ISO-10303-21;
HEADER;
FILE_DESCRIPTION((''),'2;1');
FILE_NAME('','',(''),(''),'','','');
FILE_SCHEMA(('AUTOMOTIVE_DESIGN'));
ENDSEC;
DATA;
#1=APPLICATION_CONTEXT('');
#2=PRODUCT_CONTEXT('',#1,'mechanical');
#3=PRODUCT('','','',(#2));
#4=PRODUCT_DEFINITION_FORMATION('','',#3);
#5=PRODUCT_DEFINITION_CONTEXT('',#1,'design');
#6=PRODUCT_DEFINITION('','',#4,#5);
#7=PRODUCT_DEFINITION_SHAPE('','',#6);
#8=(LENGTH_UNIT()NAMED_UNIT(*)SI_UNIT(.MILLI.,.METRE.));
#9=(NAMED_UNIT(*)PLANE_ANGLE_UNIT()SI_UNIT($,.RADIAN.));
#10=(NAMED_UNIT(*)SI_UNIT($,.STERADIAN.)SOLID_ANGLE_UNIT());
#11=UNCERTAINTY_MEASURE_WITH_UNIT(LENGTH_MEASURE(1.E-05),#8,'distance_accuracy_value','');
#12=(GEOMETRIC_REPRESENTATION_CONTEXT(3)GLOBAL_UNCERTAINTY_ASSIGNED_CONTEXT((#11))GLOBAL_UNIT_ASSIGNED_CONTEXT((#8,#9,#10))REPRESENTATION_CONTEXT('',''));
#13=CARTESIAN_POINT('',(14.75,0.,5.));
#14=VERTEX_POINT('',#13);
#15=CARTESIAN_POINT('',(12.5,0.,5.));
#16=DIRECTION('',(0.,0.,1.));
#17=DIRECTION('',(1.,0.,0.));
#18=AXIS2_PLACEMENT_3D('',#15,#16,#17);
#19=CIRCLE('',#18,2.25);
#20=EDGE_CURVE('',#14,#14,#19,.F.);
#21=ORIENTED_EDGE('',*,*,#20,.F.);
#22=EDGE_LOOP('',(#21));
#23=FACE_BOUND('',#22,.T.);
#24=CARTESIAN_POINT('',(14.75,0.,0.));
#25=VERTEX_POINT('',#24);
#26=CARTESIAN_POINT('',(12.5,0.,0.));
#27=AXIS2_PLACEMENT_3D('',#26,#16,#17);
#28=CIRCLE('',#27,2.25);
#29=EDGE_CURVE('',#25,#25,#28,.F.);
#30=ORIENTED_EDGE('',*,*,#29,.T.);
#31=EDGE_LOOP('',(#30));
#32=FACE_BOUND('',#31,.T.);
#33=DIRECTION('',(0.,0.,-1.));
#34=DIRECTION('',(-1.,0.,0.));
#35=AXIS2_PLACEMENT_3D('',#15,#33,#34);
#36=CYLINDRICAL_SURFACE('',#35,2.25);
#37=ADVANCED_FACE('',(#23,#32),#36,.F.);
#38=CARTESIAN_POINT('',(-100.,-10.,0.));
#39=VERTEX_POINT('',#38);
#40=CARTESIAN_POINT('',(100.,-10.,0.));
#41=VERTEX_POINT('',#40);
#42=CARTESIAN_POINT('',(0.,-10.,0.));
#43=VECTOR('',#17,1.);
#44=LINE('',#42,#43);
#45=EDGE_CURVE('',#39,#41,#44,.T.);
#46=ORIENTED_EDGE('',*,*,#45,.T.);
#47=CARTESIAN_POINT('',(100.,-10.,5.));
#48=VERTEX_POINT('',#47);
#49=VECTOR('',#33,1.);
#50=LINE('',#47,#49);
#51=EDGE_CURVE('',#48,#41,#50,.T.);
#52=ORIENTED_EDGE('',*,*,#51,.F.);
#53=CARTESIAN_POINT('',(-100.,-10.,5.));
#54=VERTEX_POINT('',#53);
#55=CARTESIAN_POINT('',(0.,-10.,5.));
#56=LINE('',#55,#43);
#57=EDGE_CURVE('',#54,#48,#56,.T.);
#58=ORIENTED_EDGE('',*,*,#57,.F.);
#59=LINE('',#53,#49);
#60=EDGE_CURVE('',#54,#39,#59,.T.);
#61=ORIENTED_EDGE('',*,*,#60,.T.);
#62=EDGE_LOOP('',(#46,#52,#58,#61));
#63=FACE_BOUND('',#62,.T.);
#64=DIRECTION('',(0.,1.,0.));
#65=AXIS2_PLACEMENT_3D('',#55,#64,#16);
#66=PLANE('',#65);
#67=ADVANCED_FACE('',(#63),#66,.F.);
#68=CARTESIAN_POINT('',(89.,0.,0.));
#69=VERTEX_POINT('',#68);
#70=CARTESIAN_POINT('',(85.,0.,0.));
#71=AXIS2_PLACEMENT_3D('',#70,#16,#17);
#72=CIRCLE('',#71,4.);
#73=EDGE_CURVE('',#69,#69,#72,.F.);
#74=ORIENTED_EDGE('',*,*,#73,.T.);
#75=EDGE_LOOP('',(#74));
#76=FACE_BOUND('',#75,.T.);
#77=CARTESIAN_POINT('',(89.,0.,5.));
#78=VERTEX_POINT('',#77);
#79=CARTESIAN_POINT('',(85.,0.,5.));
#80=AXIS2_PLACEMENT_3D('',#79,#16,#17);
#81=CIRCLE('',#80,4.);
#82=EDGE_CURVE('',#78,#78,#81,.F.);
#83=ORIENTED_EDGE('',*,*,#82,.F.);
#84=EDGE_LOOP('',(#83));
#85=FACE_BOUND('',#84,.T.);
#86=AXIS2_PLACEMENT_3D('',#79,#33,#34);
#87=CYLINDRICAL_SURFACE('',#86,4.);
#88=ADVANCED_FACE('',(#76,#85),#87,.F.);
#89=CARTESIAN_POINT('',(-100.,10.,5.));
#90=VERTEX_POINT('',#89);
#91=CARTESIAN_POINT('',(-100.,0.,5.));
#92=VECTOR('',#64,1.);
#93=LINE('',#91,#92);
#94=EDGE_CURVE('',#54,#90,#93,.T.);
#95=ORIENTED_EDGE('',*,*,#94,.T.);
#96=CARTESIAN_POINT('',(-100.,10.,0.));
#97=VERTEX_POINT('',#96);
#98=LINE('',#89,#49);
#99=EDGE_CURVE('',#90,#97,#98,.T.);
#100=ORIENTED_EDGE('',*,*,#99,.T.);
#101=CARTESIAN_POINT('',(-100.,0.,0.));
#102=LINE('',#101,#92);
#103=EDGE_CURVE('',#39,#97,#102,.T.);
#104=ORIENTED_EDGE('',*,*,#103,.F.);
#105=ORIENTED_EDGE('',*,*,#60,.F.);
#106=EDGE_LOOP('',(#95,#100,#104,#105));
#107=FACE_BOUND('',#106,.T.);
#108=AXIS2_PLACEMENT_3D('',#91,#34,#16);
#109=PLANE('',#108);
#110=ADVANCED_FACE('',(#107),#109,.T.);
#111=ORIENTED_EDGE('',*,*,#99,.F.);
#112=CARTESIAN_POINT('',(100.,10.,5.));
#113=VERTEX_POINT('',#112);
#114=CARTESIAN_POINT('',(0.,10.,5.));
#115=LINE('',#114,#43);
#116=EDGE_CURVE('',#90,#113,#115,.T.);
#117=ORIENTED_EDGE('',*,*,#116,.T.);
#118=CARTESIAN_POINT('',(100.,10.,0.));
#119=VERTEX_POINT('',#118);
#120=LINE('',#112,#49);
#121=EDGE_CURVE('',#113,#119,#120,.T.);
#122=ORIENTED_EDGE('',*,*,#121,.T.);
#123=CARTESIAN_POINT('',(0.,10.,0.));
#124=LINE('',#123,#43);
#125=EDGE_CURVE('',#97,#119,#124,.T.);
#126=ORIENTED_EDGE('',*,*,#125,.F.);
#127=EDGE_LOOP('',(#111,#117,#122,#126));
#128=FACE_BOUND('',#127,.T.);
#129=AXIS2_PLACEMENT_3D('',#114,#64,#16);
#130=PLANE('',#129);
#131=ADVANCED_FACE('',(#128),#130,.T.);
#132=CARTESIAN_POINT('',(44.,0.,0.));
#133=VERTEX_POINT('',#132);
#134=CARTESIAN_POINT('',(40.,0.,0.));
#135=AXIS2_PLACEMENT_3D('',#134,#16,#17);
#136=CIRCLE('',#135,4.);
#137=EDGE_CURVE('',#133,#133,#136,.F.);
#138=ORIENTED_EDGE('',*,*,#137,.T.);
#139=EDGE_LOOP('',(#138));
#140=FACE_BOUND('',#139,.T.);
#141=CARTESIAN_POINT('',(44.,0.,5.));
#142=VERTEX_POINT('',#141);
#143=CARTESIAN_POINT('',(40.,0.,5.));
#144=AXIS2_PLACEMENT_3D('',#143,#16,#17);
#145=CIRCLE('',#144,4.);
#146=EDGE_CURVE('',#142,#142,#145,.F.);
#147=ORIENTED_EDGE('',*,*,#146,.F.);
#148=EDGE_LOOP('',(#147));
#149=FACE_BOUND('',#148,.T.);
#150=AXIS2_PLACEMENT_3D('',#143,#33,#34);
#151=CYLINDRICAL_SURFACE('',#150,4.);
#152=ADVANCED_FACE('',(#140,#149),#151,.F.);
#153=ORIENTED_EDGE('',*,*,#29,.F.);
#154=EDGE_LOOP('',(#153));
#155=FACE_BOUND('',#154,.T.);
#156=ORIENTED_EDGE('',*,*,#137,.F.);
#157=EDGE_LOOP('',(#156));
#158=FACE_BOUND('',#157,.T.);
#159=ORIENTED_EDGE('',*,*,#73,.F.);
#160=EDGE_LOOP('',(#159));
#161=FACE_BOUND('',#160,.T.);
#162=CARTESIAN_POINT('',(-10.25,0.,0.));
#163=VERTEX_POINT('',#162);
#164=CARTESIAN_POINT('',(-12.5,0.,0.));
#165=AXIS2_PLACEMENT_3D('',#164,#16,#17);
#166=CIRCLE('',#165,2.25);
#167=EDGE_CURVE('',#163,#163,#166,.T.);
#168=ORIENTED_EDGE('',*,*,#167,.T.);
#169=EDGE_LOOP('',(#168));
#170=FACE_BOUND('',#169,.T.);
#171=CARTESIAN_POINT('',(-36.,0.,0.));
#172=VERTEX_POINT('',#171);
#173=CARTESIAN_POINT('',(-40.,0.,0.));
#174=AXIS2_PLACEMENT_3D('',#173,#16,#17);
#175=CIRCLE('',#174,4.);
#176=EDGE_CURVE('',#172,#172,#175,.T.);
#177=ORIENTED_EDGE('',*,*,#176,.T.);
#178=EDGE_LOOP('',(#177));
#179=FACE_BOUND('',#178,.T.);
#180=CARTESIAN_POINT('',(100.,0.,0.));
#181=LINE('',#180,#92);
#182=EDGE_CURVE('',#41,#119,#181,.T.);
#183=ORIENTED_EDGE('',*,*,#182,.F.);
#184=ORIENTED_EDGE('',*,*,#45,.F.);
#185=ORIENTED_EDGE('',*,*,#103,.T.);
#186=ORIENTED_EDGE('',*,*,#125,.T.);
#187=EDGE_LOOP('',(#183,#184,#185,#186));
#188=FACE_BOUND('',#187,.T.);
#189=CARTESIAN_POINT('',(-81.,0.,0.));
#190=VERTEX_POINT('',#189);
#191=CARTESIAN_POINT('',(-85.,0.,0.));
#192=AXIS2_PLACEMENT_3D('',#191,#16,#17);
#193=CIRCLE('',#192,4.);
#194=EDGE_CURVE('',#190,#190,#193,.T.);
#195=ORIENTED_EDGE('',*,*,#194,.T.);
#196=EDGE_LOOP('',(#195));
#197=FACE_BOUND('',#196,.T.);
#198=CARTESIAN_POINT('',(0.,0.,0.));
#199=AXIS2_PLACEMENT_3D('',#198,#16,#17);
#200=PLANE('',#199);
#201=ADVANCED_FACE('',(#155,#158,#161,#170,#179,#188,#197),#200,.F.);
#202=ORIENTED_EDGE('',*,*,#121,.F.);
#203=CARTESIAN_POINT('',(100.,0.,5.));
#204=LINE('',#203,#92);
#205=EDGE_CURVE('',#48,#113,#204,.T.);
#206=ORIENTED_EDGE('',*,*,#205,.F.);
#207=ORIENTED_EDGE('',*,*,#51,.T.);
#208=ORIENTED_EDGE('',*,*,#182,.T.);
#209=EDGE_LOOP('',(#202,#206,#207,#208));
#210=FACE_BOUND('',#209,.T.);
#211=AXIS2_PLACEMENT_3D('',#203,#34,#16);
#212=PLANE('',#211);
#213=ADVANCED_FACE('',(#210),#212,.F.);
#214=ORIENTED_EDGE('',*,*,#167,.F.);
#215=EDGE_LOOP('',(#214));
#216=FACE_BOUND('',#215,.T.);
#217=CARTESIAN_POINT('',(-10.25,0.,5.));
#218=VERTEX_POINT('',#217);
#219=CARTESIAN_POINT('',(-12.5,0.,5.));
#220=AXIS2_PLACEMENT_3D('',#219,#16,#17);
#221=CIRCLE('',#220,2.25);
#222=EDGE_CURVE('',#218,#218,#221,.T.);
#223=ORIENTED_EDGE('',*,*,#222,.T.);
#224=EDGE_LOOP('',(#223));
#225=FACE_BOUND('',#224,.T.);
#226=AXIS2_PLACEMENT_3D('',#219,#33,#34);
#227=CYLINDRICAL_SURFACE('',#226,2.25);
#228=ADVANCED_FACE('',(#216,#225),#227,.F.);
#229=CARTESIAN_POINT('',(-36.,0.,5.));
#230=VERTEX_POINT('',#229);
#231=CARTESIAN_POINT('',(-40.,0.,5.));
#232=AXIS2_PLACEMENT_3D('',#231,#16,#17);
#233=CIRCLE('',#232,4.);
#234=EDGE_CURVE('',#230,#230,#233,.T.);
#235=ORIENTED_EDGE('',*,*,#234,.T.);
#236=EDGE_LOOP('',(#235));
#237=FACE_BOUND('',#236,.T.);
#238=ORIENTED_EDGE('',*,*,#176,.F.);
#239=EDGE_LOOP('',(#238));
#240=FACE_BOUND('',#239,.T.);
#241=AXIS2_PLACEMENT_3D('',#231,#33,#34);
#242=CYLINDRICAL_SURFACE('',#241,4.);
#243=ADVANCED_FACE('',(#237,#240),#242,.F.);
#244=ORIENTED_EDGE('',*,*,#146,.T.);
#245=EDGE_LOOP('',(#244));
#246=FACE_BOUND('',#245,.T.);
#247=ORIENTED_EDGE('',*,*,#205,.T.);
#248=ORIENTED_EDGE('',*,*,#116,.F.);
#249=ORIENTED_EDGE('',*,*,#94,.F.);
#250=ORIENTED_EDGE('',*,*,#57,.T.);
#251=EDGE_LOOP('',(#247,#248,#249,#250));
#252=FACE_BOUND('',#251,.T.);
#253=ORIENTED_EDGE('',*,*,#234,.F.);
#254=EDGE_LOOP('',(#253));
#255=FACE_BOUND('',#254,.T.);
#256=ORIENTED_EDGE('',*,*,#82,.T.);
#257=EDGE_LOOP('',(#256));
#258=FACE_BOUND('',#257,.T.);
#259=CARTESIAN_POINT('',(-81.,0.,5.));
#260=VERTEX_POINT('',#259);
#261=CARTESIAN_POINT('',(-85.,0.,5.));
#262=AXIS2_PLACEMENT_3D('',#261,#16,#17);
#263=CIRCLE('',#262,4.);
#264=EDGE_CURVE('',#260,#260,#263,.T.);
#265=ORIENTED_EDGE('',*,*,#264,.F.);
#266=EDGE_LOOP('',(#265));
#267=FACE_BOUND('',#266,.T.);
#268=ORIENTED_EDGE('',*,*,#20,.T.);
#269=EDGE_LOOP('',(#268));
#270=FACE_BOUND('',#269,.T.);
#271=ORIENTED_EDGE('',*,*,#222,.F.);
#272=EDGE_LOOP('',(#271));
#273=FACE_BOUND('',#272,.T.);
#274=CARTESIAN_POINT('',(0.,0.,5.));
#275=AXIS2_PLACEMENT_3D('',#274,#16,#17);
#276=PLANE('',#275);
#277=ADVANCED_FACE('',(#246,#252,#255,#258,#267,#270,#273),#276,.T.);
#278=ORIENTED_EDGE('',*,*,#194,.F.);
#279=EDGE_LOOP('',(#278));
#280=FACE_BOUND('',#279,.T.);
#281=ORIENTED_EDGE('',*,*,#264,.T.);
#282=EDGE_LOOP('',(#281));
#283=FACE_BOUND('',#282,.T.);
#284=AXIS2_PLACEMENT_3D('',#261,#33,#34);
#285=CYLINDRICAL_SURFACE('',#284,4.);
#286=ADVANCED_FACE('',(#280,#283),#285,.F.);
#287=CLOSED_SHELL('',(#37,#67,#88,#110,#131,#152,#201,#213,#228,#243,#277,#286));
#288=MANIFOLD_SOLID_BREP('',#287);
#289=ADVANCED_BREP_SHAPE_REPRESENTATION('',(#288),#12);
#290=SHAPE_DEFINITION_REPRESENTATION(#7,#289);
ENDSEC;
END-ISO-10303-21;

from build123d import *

# Parameters (mm, degrees)
ESQUISSE1_W        = 200
ESQUISSE1_H        = 20
ESQUISSE1_R        = 4
ESQUISSE1_R_2      = 2.25
BOSS_EXTRU_1_DEPTH = 5


with BuildPart() as part:
    # Esquisse1 → Boss.-Extru.1 (new body)
    with BuildSketch(Plane.XY):
        Rectangle(ESQUISSE1_W, ESQUISSE1_H)
        with Locations((85, 0)):
            Circle(ESQUISSE1_R, mode=Mode.SUBTRACT)
        with Locations((-85, 0)):
            Circle(ESQUISSE1_R, mode=Mode.SUBTRACT)
        with Locations((-40, 0)):
            Circle(ESQUISSE1_R, mode=Mode.SUBTRACT)
        with Locations((40, 0)):
            Circle(ESQUISSE1_R, mode=Mode.SUBTRACT)
        with Locations((-12.5, 0)):
            Circle(ESQUISSE1_R_2, mode=Mode.SUBTRACT)
        with Locations((12.5, 0)):
            Circle(ESQUISSE1_R_2, mode=Mode.SUBTRACT)
    extrude(amount=BOSS_EXTRU_1_DEPTH)


solid = part.part
